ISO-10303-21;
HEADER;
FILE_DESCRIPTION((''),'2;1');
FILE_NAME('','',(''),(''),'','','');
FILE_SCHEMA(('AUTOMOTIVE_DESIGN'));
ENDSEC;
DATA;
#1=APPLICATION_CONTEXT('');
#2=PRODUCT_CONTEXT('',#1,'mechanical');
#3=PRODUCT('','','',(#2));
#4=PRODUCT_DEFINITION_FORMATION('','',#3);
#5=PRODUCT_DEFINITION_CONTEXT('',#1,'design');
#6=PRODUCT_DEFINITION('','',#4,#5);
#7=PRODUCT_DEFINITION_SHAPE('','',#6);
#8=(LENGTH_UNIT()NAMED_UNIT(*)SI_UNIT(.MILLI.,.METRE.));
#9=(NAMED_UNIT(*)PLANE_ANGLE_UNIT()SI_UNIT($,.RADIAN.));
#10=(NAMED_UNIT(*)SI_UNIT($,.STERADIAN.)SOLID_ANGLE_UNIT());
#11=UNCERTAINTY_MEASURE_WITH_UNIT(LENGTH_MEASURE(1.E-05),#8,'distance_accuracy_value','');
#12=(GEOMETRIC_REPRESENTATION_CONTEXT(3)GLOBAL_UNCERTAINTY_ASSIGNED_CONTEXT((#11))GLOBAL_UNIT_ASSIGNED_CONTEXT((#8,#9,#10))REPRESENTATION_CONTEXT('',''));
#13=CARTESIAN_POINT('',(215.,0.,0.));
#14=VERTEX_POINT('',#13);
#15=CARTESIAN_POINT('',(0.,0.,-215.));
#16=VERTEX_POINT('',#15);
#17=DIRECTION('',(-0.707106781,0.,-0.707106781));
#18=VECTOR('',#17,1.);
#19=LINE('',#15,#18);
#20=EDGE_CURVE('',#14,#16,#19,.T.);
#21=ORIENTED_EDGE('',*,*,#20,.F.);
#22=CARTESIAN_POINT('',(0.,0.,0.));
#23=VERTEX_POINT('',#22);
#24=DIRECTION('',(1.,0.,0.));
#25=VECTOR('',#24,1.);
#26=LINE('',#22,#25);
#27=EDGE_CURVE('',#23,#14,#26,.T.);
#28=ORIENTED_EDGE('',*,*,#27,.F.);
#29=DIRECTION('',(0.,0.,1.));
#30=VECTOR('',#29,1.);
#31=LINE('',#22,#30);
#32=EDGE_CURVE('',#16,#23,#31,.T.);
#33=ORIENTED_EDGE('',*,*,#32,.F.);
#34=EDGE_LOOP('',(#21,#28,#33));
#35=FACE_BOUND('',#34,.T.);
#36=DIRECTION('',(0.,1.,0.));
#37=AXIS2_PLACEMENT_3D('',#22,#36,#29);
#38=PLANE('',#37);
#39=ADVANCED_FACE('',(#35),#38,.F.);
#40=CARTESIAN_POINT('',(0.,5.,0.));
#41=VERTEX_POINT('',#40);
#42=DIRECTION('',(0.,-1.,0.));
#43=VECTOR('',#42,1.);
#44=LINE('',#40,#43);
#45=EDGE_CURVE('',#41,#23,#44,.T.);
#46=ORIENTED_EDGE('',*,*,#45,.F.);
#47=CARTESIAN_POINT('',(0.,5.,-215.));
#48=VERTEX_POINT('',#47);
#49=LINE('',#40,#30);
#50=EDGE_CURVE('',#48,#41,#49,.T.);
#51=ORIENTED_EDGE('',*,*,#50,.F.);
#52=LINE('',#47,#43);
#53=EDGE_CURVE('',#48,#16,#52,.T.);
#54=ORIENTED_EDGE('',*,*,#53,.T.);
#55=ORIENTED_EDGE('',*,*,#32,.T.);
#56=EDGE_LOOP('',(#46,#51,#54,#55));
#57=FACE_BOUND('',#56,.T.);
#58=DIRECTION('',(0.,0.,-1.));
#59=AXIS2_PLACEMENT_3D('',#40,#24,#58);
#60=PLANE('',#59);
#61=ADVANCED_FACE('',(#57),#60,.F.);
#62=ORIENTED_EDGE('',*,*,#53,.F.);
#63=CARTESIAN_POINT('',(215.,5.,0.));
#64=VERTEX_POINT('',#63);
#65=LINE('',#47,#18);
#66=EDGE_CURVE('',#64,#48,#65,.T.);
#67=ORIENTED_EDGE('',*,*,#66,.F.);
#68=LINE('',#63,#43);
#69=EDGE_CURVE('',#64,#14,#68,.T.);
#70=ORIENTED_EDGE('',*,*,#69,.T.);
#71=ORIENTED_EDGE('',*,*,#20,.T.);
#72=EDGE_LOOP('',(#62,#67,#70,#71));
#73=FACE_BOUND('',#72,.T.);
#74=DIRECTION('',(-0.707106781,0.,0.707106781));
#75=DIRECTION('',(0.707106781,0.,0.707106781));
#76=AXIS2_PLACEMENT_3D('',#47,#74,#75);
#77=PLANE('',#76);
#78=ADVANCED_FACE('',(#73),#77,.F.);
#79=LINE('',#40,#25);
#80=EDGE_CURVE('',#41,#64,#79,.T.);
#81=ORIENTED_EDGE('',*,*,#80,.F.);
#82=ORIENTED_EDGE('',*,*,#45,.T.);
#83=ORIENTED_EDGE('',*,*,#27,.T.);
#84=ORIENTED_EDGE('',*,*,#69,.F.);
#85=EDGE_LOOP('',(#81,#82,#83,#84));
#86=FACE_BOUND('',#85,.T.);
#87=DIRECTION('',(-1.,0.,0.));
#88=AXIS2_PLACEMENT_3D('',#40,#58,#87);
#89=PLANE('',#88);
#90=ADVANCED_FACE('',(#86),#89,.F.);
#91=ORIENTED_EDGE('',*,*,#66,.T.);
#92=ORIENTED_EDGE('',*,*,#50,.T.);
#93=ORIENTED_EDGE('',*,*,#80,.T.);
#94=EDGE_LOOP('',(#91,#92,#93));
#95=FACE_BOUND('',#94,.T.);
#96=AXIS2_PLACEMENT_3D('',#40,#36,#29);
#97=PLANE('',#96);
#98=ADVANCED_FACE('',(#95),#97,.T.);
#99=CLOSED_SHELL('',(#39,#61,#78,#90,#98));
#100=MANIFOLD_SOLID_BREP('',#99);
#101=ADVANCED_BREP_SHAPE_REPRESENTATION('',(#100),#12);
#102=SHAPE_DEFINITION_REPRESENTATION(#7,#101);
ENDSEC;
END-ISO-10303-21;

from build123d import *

# Parameters (mm, degrees)
EXTRUDE_1_DEPTH = 5


with BuildPart() as part:
    # 草图1 → 凸台-拉伸1 (new body)
    with BuildSketch(Plane(origin=(0, 0, 0), x_dir=(1, 0, 0), z_dir=(0, 1, 0))):
        Polygon((0, 0), (0, 215), (215, 0), align=None)
    extrude(amount=EXTRUDE_1_DEPTH)


solid = part.part
